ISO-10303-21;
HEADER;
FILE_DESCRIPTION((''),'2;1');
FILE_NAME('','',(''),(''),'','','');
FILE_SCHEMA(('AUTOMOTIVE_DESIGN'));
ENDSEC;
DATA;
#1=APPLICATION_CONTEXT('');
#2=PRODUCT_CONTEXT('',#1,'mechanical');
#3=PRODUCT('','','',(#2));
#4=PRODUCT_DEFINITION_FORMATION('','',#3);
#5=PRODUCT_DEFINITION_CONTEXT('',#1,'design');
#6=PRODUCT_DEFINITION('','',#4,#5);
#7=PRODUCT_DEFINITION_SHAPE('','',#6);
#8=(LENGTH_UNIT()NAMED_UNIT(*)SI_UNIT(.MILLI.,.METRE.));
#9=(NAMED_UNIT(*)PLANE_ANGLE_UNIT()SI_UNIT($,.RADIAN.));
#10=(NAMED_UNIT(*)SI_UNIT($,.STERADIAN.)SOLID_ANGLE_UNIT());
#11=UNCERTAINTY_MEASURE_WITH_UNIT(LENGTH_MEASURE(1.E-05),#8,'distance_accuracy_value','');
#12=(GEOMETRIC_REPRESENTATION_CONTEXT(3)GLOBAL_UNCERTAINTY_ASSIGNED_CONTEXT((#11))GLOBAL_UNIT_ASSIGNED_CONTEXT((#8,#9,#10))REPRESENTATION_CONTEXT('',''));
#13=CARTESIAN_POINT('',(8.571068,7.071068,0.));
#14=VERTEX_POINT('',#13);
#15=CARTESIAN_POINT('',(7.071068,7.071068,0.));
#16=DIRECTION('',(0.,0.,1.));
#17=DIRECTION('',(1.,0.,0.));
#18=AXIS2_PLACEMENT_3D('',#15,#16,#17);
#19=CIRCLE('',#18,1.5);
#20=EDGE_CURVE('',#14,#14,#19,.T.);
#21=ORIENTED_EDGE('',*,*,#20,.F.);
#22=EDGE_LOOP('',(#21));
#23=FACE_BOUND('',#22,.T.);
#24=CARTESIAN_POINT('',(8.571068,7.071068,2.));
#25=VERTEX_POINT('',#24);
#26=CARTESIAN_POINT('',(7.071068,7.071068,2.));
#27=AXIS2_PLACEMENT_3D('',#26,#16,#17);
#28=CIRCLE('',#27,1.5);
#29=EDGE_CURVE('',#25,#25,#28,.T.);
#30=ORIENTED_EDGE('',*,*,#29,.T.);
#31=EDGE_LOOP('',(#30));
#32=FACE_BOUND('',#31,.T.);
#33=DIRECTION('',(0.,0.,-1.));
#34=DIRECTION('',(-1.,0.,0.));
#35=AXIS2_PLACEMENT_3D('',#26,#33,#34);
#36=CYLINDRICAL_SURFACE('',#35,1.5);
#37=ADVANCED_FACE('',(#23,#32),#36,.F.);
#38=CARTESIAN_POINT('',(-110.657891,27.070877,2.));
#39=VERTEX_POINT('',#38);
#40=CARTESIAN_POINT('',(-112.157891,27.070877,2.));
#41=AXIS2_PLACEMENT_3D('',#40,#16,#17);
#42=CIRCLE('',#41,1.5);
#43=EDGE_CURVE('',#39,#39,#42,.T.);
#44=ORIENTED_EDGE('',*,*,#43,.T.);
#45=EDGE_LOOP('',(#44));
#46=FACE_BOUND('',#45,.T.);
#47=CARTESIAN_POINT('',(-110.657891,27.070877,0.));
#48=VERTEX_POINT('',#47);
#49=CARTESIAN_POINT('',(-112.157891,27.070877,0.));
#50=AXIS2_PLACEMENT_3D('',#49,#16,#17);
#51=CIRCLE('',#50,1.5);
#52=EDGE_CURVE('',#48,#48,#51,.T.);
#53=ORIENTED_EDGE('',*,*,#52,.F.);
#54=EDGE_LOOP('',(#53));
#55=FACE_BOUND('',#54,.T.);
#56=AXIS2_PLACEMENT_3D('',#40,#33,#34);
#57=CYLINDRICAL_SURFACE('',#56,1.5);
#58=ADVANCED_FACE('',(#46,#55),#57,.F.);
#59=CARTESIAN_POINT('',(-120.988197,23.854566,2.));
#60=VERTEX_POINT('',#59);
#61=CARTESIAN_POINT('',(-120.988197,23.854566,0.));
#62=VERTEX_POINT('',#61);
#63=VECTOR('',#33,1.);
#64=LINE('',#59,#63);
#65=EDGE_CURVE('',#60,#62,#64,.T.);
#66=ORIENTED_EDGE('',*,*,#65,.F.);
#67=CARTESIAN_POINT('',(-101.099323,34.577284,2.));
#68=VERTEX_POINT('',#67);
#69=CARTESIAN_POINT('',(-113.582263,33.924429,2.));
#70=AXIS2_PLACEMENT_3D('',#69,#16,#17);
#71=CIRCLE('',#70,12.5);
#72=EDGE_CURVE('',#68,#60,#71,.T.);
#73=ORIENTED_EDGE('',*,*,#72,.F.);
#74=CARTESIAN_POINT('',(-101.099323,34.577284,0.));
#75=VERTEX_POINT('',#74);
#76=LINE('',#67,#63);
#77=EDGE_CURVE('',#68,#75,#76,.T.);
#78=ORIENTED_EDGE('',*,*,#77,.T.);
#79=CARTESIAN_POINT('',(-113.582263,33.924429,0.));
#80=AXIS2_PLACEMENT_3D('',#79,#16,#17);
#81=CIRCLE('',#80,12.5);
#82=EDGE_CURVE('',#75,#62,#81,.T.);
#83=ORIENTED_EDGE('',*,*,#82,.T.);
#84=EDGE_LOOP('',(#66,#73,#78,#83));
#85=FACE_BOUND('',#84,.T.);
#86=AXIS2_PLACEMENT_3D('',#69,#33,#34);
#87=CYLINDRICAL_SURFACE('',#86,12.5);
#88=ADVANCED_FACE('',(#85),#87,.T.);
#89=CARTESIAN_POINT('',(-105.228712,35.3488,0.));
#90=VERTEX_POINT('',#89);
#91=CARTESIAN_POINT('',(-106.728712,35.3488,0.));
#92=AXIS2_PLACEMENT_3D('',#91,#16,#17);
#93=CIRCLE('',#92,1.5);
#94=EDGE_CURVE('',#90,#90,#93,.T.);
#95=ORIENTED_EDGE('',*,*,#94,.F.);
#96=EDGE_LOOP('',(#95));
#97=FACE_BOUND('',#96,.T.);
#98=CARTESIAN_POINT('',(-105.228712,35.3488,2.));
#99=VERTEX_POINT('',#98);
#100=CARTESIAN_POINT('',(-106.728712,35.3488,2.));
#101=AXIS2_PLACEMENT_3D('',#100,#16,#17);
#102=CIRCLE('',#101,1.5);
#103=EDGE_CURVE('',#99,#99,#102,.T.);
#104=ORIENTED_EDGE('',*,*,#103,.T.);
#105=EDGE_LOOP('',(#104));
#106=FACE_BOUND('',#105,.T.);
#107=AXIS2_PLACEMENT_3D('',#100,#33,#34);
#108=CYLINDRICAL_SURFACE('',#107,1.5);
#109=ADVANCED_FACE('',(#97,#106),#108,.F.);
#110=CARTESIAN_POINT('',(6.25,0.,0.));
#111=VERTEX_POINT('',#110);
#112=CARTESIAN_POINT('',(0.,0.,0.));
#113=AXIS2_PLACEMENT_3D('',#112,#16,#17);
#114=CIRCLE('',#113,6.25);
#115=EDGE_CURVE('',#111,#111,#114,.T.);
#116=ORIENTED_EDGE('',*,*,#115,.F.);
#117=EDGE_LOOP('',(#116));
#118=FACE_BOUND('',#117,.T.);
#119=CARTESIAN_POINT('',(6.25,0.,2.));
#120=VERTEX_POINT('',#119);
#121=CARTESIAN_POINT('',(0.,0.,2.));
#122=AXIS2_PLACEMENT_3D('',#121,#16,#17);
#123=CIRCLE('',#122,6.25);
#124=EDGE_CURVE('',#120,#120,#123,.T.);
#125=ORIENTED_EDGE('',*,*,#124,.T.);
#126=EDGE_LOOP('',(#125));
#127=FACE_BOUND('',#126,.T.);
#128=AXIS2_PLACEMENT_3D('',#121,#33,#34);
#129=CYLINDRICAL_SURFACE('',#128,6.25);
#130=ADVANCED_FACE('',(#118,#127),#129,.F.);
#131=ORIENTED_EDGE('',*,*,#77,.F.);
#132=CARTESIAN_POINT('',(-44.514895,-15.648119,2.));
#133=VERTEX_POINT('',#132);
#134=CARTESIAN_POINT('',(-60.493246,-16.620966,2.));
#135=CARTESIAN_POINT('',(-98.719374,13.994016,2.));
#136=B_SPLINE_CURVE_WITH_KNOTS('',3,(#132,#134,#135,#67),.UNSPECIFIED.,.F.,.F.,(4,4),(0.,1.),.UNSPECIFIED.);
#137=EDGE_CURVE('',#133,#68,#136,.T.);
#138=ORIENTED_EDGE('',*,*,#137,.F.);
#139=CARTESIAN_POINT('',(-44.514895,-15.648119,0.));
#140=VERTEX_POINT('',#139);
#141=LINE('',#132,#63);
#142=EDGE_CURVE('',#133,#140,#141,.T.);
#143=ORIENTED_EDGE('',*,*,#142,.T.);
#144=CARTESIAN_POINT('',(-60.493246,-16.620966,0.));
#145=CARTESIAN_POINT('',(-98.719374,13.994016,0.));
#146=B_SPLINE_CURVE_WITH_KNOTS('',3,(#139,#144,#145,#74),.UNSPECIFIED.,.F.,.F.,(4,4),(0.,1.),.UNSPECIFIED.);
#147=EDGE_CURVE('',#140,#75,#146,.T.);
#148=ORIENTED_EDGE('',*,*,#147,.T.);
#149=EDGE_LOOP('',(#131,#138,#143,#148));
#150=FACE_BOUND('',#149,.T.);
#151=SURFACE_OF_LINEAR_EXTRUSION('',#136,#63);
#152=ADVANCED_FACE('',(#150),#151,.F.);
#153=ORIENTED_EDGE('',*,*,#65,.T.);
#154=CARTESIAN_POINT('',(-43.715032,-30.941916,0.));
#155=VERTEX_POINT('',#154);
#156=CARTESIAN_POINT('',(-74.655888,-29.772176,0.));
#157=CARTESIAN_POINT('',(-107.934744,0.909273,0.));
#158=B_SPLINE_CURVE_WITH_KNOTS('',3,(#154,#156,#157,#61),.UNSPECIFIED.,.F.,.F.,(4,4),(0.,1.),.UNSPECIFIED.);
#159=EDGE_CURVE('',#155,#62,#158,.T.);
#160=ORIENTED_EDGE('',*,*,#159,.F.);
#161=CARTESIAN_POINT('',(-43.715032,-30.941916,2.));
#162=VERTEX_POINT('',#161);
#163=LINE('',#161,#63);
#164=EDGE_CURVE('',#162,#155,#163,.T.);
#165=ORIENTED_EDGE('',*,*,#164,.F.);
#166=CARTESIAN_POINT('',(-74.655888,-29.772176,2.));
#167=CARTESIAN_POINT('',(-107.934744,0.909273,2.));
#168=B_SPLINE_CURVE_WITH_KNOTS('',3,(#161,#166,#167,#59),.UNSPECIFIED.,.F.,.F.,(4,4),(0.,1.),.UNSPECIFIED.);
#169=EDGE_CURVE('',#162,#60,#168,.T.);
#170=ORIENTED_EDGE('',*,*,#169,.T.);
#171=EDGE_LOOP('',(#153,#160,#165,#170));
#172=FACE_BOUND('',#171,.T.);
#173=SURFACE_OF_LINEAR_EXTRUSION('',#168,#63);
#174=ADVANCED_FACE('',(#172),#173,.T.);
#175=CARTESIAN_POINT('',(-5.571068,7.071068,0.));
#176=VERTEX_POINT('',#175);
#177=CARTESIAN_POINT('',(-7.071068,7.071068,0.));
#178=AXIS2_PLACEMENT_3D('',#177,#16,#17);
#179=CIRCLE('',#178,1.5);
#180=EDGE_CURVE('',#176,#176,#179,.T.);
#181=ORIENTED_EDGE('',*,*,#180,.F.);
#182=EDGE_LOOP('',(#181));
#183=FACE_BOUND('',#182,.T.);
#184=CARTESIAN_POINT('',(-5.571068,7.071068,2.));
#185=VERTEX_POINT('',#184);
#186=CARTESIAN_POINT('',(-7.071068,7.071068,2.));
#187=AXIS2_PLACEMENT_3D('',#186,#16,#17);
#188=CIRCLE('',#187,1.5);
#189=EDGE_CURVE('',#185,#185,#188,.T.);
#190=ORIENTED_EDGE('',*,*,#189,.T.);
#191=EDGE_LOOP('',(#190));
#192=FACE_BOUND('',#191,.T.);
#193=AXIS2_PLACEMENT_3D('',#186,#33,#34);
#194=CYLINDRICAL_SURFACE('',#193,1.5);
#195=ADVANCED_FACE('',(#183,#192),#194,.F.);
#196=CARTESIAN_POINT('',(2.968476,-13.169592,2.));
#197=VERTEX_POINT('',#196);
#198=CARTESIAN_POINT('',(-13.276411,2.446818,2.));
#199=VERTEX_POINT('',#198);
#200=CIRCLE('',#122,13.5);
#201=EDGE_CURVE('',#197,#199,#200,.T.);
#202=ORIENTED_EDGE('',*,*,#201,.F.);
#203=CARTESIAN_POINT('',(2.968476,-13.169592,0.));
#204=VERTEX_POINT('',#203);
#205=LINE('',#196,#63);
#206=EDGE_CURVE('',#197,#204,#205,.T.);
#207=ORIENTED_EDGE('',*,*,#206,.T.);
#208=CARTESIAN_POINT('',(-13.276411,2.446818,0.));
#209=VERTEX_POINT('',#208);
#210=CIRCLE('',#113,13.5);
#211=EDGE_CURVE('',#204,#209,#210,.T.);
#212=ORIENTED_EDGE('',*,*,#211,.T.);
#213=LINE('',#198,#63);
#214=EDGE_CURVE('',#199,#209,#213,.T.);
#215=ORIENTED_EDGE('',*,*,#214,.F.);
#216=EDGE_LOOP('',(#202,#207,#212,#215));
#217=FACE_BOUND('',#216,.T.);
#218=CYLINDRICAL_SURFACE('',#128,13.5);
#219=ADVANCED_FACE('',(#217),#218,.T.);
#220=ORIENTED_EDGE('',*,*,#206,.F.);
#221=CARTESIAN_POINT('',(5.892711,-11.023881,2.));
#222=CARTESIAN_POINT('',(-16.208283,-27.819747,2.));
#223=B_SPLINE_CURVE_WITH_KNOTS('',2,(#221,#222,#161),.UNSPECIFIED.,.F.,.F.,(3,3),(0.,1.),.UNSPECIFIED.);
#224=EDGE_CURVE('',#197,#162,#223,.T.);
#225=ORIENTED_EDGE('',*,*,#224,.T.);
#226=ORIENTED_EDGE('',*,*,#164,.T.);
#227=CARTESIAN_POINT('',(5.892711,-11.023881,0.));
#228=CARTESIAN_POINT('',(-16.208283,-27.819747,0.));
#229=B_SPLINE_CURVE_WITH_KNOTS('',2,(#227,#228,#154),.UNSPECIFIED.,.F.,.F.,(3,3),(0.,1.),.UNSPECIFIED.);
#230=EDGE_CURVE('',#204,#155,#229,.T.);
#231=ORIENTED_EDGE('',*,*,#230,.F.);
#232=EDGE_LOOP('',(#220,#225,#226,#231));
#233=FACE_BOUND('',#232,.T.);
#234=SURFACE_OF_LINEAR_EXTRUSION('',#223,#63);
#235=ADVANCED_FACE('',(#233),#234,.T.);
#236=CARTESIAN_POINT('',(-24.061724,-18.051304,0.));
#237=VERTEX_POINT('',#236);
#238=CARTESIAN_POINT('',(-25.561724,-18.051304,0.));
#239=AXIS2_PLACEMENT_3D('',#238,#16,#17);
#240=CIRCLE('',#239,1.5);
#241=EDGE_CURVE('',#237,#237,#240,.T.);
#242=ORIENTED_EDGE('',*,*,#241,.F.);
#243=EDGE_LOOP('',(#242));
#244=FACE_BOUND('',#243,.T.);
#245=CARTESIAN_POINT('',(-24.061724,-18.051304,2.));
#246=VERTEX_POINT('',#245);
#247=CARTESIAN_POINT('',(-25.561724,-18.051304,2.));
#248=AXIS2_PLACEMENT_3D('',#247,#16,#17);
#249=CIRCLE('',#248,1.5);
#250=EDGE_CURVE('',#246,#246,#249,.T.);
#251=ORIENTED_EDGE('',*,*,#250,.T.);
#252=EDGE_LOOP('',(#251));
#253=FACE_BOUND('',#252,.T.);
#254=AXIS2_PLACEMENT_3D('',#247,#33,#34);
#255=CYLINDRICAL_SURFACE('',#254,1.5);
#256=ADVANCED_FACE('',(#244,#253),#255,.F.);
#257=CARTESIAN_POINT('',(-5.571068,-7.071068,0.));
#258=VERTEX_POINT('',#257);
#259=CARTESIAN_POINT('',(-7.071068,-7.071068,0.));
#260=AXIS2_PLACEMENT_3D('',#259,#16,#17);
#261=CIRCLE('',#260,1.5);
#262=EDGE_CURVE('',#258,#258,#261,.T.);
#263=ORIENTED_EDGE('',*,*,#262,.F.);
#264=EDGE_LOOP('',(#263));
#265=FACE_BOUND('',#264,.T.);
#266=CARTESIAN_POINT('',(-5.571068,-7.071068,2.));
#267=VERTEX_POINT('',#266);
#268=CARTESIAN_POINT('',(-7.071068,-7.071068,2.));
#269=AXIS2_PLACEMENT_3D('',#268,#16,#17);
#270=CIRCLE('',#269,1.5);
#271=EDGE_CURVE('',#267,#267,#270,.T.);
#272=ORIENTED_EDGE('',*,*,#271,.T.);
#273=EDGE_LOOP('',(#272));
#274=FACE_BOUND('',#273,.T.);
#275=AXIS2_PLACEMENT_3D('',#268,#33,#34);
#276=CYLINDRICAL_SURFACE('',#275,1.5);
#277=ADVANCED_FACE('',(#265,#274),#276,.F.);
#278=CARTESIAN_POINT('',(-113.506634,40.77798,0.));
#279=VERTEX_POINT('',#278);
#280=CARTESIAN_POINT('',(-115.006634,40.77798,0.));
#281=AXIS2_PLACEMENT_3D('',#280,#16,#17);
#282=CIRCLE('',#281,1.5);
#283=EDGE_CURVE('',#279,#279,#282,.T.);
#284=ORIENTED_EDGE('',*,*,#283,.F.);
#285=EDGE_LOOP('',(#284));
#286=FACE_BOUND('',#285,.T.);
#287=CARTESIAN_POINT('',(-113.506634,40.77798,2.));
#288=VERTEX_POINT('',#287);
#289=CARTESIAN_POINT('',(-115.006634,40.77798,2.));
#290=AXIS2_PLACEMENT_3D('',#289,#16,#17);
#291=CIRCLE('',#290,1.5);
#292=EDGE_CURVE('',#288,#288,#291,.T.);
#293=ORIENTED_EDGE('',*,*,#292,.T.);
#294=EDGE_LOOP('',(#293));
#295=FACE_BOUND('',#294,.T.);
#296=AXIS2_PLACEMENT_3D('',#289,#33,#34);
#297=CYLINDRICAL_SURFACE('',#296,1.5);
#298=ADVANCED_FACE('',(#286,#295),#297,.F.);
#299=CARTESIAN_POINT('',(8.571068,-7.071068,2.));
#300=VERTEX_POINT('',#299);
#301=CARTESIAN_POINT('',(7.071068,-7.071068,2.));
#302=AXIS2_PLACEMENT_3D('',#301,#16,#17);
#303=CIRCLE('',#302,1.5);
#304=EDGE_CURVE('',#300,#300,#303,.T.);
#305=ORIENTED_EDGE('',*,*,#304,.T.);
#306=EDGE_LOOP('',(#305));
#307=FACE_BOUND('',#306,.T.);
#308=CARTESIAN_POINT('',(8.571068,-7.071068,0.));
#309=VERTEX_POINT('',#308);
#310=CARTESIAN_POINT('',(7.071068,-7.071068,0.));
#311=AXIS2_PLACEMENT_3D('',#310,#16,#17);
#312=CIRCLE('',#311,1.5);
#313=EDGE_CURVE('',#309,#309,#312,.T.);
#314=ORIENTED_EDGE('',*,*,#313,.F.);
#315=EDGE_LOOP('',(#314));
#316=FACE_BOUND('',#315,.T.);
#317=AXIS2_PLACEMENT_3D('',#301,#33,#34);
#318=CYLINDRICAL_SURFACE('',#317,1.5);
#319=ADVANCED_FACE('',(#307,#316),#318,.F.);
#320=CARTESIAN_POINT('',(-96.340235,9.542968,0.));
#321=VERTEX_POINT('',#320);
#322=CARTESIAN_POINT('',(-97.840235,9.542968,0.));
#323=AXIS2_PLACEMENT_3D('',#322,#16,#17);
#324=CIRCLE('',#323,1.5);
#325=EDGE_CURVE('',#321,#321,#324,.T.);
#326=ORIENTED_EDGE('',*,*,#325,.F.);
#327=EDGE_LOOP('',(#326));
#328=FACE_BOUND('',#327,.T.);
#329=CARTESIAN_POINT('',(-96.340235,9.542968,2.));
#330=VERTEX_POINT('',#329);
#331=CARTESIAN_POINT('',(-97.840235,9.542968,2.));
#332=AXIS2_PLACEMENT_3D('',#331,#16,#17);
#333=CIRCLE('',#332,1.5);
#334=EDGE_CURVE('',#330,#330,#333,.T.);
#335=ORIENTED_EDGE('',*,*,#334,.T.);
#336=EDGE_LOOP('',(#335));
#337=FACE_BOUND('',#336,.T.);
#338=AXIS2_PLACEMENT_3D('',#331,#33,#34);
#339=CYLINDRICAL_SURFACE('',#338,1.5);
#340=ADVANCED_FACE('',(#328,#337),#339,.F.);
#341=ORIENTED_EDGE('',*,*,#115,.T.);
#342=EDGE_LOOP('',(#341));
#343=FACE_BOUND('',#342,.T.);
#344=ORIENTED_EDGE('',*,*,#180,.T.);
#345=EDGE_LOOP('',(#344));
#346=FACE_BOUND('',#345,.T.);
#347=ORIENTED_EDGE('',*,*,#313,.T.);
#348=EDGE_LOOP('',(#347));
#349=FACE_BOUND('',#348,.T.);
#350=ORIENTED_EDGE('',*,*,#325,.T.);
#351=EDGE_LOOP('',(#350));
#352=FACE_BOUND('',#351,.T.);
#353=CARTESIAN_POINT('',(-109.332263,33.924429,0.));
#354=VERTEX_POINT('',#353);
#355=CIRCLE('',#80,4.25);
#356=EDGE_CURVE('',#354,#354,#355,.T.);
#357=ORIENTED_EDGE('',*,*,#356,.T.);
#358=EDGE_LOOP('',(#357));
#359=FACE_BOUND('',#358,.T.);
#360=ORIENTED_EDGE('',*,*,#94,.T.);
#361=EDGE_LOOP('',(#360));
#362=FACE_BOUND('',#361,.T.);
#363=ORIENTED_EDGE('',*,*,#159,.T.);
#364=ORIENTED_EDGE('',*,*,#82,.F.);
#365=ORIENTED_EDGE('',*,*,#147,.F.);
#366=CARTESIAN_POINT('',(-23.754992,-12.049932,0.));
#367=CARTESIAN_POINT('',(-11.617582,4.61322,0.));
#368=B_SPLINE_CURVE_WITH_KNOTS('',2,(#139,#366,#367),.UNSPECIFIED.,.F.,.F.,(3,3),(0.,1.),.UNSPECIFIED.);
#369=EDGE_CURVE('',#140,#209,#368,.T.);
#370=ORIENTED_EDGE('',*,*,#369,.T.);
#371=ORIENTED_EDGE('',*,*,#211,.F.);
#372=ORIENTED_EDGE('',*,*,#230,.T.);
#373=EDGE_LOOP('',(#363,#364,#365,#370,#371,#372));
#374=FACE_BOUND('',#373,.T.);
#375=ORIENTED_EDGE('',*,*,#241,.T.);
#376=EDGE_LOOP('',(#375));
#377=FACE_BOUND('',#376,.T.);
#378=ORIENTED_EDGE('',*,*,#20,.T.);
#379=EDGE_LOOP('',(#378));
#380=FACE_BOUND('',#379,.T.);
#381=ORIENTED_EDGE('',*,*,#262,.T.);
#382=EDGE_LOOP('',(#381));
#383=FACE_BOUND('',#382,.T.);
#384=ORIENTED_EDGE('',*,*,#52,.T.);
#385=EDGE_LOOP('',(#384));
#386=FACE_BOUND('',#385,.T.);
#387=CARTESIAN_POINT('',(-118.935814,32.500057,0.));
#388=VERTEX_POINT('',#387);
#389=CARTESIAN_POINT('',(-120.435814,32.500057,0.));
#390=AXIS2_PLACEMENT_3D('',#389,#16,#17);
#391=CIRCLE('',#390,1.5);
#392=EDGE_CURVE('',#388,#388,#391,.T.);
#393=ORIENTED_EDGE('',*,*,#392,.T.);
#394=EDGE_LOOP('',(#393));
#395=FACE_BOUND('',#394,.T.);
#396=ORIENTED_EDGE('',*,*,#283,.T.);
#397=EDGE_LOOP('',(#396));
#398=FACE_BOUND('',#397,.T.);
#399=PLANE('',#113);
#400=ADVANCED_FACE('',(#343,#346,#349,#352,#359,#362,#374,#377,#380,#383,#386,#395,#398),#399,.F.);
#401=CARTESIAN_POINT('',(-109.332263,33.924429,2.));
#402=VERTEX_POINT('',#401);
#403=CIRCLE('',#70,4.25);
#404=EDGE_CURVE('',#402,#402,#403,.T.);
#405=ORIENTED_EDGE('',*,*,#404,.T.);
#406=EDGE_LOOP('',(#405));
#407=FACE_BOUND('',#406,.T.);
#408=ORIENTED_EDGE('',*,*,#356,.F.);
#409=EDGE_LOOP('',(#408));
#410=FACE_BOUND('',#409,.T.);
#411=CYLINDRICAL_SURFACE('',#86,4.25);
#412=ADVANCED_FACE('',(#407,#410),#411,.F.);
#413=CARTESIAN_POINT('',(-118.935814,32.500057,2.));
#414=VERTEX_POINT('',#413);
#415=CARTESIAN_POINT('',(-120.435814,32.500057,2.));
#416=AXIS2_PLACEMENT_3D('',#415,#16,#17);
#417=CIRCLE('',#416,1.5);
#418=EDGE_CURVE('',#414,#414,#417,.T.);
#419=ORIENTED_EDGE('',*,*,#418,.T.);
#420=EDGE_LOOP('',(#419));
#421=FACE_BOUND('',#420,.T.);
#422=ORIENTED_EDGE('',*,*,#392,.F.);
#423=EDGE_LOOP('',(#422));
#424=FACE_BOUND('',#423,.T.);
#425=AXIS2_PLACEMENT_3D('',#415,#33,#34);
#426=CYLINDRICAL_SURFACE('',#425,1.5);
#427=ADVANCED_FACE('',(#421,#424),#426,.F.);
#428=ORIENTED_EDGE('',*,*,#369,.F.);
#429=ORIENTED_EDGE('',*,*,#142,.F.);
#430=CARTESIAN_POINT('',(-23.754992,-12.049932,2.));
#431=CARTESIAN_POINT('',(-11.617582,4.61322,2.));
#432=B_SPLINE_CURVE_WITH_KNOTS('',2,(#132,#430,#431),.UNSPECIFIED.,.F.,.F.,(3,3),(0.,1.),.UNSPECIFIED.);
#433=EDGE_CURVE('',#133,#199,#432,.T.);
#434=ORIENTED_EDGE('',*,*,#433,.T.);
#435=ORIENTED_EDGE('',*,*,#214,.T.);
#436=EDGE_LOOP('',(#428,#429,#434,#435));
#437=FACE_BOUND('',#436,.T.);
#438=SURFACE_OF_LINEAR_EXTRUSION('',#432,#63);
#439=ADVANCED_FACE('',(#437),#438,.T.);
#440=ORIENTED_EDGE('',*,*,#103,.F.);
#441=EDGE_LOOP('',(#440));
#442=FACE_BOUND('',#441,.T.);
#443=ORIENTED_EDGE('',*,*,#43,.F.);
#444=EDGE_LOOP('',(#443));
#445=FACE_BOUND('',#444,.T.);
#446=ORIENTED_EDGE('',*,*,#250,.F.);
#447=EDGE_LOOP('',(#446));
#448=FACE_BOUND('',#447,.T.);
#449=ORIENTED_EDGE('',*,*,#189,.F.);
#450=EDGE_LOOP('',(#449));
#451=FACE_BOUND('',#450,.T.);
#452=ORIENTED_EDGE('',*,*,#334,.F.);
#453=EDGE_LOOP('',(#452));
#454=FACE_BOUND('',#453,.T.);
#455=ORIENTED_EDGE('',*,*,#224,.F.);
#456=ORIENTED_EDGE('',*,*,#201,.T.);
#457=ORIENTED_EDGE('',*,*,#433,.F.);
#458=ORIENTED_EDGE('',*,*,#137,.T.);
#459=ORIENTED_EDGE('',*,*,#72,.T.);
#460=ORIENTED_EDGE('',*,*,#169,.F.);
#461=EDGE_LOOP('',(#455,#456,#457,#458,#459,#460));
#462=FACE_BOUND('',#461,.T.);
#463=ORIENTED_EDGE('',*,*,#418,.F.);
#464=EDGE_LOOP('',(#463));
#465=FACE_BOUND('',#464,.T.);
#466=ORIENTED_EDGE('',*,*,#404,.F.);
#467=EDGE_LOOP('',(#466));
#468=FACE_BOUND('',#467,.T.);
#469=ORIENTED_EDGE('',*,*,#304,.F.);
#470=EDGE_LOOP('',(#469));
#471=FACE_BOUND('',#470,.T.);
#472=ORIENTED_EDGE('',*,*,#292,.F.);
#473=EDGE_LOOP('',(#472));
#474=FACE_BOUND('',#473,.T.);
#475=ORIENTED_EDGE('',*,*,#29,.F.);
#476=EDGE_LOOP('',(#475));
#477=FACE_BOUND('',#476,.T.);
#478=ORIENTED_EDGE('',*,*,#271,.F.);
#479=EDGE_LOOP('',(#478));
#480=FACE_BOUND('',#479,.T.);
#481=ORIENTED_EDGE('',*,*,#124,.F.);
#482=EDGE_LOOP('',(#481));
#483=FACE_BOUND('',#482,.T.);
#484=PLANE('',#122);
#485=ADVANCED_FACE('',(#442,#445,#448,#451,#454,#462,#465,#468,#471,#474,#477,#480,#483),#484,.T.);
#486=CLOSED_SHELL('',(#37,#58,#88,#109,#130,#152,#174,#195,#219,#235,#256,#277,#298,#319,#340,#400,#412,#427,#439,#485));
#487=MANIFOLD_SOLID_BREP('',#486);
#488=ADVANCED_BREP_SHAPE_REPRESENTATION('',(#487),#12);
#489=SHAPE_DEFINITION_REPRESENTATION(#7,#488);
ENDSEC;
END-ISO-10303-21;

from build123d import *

# Parameters (mm, degrees)
SKETCH_1_R          = 13.5
EXTRUDE_1_DEPTH     = 2
SKETCH_2_R          = 6.25
SKETCH_2_R_2        = 1.5
SKETCH_2_R_3        = 4.25
CUT_EXTRUDE_2_DEPTH = 135.372484569
SKETCH_3_R          = 1.5
CUT_EXTRUDE_3_DEPTH = 135.372484569


with BuildPart() as part:
    # 草图1 → 凸台-拉伸1 (new body)
    with BuildSketch(Plane.XY):
        Circle(SKETCH_1_R)
        with BuildLine():
            ThreePointArc((5.892711217, -11.0238811), (8.326059469, 9.323450741), (-11.617581648, 4.613219771))
            add(Edge.make_bspline(
                [(-44.514894976, -15.648119029), (-23.754992487, -12.049932399), (-11.617581648, 4.613219771)],
                knots=[0, 0, 0, 1, 1, 1], degree=2))
            add(Edge.make_bspline(
                [(-44.514894976, -15.648119029), (-60.493246192, -16.620966096), (-98.719374485, 13.99401616), (-101.099323327, 34.577284328)],
                knots=[0, 0, 0, 0, 1, 1, 1, 1], degree=3))
            ThreePointArc((-101.099323327, 34.577284328), (-119.514224633, 44.92723863), (-120.988196928, 23.854565571))
            add(Edge.make_bspline(
                [(-43.715031798, -30.941916126), (-74.6558876, -29.772176263), (-107.934743734, 0.909272839), (-120.988196928, 23.854565571)],
                knots=[0, 0, 0, 0, 1, 1, 1, 1], degree=3))
            add(Edge.make_bspline(
                [(5.892711217, -11.0238811), (-16.208282922, -27.819747246), (-43.715031798, -30.941916126)],
                knots=[0, 0, 0, 1, 1, 1], degree=2))
        make_face()
    extrude(amount=EXTRUDE_1_DEPTH)

    # 草图2 → 切除-拉伸2 (cut, through all)
    with BuildSketch(Plane.XY):
        Circle(SKETCH_2_R)
        with Locations((-7.071067812, 7.071067812)):
            Circle(SKETCH_2_R_2)
        with Locations((7.071067812, 7.071067812)):
            Circle(SKETCH_2_R_2)
        with Locations((7.071067812, -7.071067812)):
            Circle(SKETCH_2_R_2)
        with Locations((-7.071067812, -7.071067812)):
            Circle(SKETCH_2_R_2)
        with Locations((-113.582262859, 33.924428557)):
            Circle(SKETCH_2_R_3)
        with Locations((-106.728711554, 35.34880018)):
            Circle(SKETCH_2_R_2)
        with Locations((-112.157891236, 27.070877253)):
            Circle(SKETCH_2_R_2)
        with Locations((-120.435814163, 32.500056934)):
            Circle(SKETCH_2_R_2)
        with Locations((-115.006634481, 40.777979862)):
            Circle(SKETCH_2_R_2)
    extrude(amount=CUT_EXTRUDE_2_DEPTH, mode=Mode.SUBTRACT)

    # 草图3 → 切除-拉伸3 (cut, through all)
    with BuildSketch(Plane.XY):
        with Locations((-97.840235061, 9.542968429)):
            Circle(SKETCH_3_R)
        with Locations((-25.561724323, -18.05130401)):
            Circle(SKETCH_3_R)
    extrude(amount=CUT_EXTRUDE_3_DEPTH, mode=Mode.SUBTRACT)


solid = part.part
